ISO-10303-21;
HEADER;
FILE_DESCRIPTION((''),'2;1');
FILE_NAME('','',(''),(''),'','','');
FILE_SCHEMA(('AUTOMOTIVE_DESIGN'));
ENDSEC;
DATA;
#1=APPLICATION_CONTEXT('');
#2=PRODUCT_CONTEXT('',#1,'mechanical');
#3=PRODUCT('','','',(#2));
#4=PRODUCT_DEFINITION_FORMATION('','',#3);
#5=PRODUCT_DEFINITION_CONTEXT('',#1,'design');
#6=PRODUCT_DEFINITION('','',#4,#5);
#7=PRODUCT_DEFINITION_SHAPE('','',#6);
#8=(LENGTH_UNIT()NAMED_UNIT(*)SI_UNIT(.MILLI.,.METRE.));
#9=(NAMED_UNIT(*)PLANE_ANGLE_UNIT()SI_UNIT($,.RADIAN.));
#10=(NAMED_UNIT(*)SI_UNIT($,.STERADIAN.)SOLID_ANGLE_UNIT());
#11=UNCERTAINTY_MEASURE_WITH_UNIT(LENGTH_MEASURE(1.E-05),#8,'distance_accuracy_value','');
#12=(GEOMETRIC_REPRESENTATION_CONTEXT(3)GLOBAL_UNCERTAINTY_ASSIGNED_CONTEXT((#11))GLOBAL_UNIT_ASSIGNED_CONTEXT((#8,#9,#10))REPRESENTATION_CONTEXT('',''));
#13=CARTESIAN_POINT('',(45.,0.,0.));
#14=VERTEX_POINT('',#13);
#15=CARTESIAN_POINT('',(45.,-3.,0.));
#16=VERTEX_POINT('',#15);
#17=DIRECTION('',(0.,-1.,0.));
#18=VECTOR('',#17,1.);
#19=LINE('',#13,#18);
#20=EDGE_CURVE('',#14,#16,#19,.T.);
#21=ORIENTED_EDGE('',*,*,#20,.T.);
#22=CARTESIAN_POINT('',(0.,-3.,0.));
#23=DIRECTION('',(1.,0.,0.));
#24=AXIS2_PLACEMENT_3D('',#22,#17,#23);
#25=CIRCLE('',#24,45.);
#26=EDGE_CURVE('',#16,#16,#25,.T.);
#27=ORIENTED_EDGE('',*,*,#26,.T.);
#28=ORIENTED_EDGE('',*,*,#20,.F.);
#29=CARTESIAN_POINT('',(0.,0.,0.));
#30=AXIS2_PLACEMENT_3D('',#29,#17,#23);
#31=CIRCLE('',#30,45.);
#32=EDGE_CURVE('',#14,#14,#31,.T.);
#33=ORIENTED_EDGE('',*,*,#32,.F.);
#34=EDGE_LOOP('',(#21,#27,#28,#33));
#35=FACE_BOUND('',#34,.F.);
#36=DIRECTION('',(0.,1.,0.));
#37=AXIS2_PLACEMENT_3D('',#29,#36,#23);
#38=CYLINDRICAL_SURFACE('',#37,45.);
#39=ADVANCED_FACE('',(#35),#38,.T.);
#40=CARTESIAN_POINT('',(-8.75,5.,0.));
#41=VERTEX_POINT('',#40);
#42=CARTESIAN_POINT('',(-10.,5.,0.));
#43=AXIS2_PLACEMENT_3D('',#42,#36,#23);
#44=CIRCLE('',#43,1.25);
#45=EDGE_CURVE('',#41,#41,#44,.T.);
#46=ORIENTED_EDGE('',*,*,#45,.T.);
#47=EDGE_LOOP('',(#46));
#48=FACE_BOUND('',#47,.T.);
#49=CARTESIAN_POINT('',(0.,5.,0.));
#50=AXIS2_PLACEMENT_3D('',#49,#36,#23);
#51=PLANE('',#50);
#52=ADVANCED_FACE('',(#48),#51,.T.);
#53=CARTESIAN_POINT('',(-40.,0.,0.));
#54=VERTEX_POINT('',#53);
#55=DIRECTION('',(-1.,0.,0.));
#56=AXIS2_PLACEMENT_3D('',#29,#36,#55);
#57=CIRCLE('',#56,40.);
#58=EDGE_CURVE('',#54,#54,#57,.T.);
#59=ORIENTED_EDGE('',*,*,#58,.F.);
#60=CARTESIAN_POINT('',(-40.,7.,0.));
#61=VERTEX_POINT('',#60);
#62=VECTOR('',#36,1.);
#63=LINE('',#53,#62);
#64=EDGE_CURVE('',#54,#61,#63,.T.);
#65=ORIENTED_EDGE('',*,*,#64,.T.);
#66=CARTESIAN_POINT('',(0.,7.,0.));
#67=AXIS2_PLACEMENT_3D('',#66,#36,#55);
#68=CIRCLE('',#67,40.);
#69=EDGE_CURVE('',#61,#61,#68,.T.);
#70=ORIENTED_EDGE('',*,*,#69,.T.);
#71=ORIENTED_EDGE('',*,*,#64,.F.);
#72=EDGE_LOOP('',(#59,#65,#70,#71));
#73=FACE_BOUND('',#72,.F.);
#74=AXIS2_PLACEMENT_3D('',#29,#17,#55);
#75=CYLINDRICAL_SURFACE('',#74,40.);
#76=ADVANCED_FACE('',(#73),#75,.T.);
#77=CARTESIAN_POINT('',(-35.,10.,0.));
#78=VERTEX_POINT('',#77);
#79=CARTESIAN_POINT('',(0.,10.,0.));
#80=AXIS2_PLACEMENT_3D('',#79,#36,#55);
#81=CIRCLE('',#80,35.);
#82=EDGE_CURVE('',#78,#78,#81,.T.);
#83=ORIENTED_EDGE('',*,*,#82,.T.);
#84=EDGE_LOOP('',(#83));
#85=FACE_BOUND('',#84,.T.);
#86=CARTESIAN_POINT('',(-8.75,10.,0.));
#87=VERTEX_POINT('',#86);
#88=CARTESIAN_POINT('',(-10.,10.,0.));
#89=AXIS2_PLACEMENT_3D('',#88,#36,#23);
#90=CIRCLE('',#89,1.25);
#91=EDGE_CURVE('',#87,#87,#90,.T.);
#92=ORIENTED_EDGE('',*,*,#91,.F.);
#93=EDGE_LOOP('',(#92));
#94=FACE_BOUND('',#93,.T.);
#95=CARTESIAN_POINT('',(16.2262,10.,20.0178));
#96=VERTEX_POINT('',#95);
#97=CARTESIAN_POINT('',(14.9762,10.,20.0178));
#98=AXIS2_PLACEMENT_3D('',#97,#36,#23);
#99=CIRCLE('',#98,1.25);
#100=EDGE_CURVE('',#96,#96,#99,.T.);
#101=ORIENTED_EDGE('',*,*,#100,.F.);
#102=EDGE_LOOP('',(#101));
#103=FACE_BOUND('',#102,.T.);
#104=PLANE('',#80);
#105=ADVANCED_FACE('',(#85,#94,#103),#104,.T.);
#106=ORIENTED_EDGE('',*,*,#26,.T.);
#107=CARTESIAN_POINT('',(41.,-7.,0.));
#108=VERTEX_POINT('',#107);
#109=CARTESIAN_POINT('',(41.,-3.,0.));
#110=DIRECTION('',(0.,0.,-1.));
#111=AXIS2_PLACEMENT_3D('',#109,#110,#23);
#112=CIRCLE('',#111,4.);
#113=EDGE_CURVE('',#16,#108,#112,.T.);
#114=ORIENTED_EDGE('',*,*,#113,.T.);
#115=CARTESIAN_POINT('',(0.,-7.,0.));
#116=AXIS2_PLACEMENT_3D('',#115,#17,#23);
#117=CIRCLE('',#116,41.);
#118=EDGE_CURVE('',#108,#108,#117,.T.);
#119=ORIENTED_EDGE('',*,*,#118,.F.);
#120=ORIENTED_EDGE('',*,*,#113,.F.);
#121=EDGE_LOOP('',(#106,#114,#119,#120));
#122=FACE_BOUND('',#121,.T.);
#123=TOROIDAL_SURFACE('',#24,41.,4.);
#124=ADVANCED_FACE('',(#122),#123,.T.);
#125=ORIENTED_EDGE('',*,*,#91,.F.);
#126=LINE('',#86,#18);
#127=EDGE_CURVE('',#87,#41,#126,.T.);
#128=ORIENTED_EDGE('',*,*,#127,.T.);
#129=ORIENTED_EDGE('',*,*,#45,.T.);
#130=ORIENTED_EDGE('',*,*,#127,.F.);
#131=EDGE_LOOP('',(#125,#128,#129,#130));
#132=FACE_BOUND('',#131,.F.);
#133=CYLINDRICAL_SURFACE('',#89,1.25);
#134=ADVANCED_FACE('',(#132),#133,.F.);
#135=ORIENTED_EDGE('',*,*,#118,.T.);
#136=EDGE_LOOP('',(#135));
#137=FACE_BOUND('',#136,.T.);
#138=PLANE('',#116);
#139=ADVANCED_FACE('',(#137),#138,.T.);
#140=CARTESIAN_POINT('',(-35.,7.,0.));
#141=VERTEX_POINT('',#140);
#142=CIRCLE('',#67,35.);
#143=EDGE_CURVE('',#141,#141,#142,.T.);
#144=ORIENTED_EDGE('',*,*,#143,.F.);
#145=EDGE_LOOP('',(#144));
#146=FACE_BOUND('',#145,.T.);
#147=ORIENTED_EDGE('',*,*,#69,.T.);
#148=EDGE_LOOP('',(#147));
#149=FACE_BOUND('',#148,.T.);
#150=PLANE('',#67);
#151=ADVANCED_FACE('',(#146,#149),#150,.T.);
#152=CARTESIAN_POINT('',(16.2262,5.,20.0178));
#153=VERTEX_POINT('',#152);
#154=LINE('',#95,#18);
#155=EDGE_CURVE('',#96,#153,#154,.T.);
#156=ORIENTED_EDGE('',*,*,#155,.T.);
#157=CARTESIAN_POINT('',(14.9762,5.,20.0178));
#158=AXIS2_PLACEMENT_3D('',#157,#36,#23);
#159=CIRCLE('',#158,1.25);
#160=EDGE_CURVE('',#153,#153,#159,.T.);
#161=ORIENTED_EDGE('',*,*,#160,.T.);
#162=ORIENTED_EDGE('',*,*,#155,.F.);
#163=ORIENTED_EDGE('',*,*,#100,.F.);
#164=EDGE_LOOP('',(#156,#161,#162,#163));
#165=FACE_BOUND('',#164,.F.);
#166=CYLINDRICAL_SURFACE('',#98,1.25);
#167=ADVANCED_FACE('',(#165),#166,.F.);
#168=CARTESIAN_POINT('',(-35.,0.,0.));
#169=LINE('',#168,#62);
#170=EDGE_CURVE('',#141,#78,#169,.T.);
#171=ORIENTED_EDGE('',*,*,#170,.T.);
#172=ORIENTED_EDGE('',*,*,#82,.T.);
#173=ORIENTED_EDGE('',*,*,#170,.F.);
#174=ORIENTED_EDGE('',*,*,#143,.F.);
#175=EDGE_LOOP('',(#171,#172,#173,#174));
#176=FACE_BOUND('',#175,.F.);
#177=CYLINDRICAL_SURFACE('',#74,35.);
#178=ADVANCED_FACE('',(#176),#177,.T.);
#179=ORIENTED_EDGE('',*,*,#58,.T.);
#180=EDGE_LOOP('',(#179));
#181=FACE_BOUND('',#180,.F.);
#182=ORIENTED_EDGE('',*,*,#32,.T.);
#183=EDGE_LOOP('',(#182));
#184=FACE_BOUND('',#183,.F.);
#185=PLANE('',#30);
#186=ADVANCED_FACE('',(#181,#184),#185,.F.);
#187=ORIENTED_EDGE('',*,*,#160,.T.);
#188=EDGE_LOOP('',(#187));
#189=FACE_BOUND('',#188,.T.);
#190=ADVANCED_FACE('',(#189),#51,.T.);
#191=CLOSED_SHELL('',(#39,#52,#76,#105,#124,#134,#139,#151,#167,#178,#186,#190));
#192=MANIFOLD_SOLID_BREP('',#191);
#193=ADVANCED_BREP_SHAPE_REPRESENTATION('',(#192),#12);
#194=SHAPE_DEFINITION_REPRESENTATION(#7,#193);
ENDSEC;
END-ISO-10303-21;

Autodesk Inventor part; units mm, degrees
ref_plane "YZ Plane" through (0, 0, 0) normal (1, 0, 0) x (0, 1, 0)
ref_plane "XZ Plane" through (0, 0, 0) normal (0, 1, 0) x (-1, 0, 0)
ref_plane "XY Plane" through (0, 0, 0) normal (0, 0, 1) x (1, 0, 0)
sketch "Sketch1" plane through (0, 0, 0) normal (0, 1, 0) x (-1, 0, 0)
  circle A0 centre (0, 0) radius 40
  circle A1 centre (0, 0) radius 35
  dimension "d0" = 80
  dimension "d1" = 70
extrude "Extrusion1" add sketch "Sketch1" along normal blind 10 contours A1
extrude "Extrusion2" add sketch "Sketch1" along normal blind 7
sketch "Sketch3" plane through (0, 0, 0) normal (0, -1, 0) x (1, 0, 0)
  circle A0 centre (0, 0) radius 45
  dimension "d14" = 90
extrude "Extrusion4" add sketch "Sketch3" along normal blind 7
fillet "Fillet1" radius 4 1 edges at (-45, -7, 0)
sketch "Sketch4" plane through (0, 10, 0) normal (0, 1, 0) x (1, 0, 0)
  circle A0 centre (14.9762, -20.0178) radius 12
  circle A1 centre (-10, 0) radius 27
  circle A2 centre (14.9762, -20.0178) radius 1.25
  circle A3 centre (-10, 0) radius 1.25
  point P0 (0, 0)
  dimension "d24" = 24
  dimension "d25" = 54
  dimension "d26" = 10
  dimension "d27" = 2.5
  dimension "d28" = 2.5
  dimension "d31" = 25
extrude "Extrusion5" cut sketch "Sketch4" against normal blind 5 contours A2 | A3
properties part number "Cap"
